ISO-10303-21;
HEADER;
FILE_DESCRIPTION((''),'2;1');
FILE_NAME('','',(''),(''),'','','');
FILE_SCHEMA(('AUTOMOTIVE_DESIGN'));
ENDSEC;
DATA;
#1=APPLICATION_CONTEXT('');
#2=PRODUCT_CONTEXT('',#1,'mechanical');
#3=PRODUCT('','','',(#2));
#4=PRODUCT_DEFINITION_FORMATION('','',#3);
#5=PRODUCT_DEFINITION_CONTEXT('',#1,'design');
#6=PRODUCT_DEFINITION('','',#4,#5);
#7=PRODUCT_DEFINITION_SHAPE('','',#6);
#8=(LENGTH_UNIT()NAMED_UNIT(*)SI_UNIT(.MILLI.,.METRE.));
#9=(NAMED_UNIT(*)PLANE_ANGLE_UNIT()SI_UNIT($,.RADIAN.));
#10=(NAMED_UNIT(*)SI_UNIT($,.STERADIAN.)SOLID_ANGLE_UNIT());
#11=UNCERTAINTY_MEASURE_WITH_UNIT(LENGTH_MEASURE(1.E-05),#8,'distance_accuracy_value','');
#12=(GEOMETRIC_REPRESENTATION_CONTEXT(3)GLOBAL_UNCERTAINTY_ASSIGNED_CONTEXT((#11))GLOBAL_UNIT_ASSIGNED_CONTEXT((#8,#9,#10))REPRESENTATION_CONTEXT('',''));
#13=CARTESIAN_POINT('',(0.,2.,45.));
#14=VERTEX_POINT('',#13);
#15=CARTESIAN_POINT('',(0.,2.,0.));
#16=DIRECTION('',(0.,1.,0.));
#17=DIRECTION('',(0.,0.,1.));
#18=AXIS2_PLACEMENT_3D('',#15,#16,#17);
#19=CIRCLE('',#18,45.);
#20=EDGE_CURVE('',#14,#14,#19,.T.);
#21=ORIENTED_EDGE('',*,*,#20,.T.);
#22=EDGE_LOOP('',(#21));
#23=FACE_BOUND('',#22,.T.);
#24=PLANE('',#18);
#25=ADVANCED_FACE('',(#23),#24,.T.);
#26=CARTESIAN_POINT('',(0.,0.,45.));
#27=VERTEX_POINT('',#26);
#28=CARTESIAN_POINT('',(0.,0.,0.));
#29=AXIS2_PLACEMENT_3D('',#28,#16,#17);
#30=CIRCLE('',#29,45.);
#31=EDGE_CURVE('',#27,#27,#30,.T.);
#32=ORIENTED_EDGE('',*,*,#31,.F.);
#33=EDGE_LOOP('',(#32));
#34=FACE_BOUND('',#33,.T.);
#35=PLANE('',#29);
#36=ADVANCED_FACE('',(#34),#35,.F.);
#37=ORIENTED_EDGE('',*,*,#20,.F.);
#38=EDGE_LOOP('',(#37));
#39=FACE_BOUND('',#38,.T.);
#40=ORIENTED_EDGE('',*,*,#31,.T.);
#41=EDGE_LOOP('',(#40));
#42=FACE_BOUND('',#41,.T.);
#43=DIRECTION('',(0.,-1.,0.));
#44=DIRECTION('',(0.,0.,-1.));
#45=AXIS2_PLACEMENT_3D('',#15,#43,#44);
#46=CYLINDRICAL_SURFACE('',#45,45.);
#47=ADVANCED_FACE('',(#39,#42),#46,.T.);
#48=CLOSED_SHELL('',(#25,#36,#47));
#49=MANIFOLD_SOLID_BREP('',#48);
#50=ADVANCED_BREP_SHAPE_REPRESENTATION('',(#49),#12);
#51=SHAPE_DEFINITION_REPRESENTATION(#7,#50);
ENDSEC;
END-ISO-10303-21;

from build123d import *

# Parameters (mm, degrees)
SKETCH1_R           = 45
BOSS_EXTRUDE1_DEPTH = 2


with BuildPart() as part:
    # Sketch1 → Boss-Extrude1 (new body)
    with BuildSketch(Plane(origin=(0, 0, 0), x_dir=(1, 0, 0), z_dir=(0, 1, 0))):
        Circle(SKETCH1_R)
    extrude(amount=BOSS_EXTRUDE1_DEPTH)


solid = part.part
